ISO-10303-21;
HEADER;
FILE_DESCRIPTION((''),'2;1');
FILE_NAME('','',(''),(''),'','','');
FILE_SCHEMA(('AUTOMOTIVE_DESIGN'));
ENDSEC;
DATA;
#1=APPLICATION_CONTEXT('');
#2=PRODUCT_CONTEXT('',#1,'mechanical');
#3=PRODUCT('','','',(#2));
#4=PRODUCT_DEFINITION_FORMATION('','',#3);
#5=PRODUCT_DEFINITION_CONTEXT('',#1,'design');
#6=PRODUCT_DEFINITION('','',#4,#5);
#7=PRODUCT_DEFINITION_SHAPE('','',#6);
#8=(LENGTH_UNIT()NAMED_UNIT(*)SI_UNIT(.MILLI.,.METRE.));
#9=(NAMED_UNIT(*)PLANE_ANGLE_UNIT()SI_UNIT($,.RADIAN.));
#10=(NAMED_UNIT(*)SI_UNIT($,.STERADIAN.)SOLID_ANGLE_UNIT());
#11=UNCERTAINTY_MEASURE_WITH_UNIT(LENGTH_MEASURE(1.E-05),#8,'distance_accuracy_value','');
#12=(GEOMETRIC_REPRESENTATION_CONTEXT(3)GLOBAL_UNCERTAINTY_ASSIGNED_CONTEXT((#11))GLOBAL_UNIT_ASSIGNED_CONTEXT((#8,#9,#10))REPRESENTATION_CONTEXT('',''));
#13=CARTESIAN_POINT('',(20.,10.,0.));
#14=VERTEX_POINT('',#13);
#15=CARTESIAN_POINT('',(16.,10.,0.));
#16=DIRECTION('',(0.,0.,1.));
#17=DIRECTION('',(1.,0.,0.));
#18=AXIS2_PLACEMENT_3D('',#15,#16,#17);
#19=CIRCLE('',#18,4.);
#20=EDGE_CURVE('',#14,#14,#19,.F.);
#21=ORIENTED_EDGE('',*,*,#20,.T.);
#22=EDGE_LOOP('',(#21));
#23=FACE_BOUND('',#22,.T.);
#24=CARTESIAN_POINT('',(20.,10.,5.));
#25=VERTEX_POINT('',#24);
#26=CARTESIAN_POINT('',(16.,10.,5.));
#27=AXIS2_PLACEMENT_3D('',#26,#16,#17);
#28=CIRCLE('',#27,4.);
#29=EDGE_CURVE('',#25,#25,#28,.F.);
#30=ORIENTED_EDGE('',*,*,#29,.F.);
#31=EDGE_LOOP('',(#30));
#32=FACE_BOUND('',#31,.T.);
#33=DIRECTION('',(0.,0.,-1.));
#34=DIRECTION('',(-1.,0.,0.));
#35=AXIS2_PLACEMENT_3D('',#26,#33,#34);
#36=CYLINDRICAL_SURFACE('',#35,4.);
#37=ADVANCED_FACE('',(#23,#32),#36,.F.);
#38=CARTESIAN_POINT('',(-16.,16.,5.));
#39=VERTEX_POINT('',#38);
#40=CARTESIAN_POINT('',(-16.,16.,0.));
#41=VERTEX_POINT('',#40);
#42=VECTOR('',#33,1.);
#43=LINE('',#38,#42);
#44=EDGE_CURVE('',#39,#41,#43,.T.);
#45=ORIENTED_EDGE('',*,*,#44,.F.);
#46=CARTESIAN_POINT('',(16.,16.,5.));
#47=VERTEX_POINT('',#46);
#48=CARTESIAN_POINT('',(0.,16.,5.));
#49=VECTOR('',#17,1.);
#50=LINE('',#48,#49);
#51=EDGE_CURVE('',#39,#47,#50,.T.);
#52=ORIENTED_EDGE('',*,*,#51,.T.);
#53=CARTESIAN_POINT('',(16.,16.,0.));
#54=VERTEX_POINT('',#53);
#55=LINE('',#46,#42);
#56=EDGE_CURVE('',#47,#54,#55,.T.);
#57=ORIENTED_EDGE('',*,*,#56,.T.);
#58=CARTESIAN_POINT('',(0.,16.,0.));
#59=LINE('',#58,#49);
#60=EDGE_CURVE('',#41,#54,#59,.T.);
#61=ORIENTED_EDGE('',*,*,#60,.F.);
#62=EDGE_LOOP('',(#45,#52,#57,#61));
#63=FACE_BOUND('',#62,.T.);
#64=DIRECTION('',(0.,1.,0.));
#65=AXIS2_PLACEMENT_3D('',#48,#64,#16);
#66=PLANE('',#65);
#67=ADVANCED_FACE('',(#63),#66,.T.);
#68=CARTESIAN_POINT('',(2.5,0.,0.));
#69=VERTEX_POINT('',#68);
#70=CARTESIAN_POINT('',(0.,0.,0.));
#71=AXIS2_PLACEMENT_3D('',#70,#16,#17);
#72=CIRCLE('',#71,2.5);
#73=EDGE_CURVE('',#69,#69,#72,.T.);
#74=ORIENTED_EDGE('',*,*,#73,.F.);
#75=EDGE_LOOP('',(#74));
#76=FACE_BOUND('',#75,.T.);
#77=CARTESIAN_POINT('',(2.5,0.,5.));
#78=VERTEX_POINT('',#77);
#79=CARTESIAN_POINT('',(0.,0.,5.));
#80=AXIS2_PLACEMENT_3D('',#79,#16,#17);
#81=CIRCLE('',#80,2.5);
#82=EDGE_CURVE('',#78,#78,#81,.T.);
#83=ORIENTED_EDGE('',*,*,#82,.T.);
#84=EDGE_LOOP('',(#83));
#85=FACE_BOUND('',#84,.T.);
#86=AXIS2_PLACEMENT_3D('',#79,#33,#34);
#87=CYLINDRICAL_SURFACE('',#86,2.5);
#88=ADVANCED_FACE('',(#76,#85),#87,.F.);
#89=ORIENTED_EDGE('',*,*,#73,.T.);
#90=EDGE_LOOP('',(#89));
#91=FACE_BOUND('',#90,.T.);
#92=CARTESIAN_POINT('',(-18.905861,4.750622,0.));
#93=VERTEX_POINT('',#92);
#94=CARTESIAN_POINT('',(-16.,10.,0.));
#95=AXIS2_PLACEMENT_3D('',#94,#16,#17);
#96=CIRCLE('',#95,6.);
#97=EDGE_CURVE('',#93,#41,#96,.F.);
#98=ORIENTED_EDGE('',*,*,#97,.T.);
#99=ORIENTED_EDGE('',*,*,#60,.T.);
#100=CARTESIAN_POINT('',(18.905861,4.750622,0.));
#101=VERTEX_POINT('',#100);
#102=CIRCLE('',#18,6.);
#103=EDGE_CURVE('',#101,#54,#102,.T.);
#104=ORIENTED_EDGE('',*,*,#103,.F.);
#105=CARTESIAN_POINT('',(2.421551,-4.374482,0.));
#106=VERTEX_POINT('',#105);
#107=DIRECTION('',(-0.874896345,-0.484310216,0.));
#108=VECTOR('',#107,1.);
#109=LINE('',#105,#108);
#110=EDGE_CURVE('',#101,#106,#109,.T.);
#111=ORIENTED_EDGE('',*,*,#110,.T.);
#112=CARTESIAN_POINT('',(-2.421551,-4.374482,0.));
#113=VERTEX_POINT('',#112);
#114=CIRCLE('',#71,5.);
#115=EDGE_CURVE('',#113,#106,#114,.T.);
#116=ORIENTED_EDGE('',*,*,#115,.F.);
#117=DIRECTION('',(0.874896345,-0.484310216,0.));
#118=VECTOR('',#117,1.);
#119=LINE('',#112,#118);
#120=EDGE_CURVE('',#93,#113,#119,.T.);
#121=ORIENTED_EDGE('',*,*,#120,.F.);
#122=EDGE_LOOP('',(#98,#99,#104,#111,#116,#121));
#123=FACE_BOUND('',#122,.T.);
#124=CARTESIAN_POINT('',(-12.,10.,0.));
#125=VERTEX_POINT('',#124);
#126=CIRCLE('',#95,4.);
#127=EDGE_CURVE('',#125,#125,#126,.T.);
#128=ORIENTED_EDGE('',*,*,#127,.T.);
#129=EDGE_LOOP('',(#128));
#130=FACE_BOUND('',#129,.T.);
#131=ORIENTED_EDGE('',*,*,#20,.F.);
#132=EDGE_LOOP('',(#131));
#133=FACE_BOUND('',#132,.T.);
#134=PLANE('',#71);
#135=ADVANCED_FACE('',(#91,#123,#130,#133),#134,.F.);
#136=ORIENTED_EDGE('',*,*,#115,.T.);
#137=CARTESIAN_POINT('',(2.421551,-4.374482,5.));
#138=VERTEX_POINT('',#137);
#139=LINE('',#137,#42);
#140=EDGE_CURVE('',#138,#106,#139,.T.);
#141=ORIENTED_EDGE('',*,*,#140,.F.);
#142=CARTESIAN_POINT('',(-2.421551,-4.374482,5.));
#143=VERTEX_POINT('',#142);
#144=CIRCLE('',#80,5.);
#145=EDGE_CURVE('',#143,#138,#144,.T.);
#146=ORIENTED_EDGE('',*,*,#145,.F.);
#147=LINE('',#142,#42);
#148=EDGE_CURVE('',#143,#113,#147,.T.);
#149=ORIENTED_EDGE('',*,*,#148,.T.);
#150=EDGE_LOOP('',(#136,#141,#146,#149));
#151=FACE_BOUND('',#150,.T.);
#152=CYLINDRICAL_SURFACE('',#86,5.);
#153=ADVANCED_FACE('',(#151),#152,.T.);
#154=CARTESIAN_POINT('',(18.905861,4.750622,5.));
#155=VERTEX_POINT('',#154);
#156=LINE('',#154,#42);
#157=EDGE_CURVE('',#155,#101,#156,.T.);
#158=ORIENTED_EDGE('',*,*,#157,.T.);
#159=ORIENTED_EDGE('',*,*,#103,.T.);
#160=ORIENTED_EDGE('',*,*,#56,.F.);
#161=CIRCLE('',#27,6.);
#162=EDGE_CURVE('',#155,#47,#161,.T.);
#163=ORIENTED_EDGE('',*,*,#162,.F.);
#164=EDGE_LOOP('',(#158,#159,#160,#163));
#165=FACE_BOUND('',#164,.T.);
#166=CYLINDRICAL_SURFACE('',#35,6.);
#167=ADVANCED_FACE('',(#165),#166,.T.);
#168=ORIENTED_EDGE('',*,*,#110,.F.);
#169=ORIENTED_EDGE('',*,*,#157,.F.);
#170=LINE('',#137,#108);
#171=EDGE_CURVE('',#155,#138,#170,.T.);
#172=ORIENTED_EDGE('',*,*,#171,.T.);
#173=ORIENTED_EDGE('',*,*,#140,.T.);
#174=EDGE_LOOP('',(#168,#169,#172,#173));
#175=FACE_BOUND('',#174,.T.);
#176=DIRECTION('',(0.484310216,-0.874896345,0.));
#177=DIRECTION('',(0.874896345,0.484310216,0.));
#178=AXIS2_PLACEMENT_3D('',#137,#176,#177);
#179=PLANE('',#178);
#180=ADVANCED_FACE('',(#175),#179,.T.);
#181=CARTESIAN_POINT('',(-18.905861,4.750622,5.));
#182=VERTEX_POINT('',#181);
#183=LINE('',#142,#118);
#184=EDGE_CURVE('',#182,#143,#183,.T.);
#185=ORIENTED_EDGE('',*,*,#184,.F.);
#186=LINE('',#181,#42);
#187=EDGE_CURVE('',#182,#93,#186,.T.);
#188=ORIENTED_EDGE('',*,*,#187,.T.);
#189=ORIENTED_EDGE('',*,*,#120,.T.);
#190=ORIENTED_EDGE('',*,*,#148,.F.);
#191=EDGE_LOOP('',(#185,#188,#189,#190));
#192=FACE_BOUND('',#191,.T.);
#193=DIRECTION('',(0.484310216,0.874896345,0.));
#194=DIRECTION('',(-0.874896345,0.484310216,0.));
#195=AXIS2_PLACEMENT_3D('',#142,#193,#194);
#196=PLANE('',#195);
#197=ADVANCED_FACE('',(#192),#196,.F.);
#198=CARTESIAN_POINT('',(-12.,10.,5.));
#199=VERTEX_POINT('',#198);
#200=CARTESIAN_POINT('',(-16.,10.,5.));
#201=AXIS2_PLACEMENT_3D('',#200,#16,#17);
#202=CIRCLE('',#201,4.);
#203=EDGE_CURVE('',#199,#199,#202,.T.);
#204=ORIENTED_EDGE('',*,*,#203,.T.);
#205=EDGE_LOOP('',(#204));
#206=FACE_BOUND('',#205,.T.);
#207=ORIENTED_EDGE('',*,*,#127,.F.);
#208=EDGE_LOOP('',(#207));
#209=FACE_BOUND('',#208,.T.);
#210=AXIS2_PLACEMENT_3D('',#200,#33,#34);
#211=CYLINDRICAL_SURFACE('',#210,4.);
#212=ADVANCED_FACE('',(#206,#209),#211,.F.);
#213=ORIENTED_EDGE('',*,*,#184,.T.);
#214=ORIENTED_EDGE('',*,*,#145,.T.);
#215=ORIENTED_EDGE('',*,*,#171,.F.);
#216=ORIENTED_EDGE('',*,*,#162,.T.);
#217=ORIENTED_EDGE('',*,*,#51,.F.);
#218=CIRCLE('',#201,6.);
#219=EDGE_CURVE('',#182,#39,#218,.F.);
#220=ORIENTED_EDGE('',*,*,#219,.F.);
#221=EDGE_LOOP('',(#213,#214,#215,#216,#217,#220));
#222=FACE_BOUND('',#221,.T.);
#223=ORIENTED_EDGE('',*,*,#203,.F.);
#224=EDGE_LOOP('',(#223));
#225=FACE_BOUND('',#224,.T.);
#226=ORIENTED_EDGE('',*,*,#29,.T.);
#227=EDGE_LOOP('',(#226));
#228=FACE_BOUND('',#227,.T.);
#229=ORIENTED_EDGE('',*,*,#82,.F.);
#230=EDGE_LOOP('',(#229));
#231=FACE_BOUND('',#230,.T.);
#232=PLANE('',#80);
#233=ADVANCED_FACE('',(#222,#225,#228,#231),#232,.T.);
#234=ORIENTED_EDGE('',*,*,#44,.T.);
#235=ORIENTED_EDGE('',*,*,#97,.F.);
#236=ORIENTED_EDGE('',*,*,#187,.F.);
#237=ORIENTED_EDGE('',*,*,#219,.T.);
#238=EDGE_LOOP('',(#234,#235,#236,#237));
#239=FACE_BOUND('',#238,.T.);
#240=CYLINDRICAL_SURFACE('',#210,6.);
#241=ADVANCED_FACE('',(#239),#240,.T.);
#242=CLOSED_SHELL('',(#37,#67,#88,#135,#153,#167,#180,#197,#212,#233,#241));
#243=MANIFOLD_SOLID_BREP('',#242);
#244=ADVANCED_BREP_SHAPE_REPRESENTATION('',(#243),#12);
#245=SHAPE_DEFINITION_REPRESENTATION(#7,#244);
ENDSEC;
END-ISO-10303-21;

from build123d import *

# Parameters (mm, degrees)
SKETCH1_R           = 2.5
SKETCH1_R_2         = 4
BOSS_EXTRUDE1_DEPTH = 5


with BuildPart() as part:
    # Sketch1 → Boss-Extrude1 (new body)
    with BuildSketch(Plane.XY):
        with BuildLine():
            Line((16, 16), (-16, 16))
            ThreePointArc((-16, 16), (-21.809314436, 11.5006218), (-18.905861295, 4.750621929))
            Line((-18.905861295, 4.750621929), (-2.421551079, -4.374481726))
            ThreePointArc((-2.421551079, -4.374481726), (0, -5), (2.421551079, -4.374481726))
            Line((2.421551079, -4.374481726), (18.905861295, 4.750621929))
            ThreePointArc((18.905861295, 4.750621929), (21.809314436, 11.5006218), (16, 16))
        make_face()
        Circle(SKETCH1_R, mode=Mode.SUBTRACT)
        with Locations((-16, 10)):
            Circle(SKETCH1_R_2, mode=Mode.SUBTRACT)
        with Locations((16, 10)):
            Circle(SKETCH1_R_2, mode=Mode.SUBTRACT)
    extrude(amount=BOSS_EXTRUDE1_DEPTH)


solid = part.part
